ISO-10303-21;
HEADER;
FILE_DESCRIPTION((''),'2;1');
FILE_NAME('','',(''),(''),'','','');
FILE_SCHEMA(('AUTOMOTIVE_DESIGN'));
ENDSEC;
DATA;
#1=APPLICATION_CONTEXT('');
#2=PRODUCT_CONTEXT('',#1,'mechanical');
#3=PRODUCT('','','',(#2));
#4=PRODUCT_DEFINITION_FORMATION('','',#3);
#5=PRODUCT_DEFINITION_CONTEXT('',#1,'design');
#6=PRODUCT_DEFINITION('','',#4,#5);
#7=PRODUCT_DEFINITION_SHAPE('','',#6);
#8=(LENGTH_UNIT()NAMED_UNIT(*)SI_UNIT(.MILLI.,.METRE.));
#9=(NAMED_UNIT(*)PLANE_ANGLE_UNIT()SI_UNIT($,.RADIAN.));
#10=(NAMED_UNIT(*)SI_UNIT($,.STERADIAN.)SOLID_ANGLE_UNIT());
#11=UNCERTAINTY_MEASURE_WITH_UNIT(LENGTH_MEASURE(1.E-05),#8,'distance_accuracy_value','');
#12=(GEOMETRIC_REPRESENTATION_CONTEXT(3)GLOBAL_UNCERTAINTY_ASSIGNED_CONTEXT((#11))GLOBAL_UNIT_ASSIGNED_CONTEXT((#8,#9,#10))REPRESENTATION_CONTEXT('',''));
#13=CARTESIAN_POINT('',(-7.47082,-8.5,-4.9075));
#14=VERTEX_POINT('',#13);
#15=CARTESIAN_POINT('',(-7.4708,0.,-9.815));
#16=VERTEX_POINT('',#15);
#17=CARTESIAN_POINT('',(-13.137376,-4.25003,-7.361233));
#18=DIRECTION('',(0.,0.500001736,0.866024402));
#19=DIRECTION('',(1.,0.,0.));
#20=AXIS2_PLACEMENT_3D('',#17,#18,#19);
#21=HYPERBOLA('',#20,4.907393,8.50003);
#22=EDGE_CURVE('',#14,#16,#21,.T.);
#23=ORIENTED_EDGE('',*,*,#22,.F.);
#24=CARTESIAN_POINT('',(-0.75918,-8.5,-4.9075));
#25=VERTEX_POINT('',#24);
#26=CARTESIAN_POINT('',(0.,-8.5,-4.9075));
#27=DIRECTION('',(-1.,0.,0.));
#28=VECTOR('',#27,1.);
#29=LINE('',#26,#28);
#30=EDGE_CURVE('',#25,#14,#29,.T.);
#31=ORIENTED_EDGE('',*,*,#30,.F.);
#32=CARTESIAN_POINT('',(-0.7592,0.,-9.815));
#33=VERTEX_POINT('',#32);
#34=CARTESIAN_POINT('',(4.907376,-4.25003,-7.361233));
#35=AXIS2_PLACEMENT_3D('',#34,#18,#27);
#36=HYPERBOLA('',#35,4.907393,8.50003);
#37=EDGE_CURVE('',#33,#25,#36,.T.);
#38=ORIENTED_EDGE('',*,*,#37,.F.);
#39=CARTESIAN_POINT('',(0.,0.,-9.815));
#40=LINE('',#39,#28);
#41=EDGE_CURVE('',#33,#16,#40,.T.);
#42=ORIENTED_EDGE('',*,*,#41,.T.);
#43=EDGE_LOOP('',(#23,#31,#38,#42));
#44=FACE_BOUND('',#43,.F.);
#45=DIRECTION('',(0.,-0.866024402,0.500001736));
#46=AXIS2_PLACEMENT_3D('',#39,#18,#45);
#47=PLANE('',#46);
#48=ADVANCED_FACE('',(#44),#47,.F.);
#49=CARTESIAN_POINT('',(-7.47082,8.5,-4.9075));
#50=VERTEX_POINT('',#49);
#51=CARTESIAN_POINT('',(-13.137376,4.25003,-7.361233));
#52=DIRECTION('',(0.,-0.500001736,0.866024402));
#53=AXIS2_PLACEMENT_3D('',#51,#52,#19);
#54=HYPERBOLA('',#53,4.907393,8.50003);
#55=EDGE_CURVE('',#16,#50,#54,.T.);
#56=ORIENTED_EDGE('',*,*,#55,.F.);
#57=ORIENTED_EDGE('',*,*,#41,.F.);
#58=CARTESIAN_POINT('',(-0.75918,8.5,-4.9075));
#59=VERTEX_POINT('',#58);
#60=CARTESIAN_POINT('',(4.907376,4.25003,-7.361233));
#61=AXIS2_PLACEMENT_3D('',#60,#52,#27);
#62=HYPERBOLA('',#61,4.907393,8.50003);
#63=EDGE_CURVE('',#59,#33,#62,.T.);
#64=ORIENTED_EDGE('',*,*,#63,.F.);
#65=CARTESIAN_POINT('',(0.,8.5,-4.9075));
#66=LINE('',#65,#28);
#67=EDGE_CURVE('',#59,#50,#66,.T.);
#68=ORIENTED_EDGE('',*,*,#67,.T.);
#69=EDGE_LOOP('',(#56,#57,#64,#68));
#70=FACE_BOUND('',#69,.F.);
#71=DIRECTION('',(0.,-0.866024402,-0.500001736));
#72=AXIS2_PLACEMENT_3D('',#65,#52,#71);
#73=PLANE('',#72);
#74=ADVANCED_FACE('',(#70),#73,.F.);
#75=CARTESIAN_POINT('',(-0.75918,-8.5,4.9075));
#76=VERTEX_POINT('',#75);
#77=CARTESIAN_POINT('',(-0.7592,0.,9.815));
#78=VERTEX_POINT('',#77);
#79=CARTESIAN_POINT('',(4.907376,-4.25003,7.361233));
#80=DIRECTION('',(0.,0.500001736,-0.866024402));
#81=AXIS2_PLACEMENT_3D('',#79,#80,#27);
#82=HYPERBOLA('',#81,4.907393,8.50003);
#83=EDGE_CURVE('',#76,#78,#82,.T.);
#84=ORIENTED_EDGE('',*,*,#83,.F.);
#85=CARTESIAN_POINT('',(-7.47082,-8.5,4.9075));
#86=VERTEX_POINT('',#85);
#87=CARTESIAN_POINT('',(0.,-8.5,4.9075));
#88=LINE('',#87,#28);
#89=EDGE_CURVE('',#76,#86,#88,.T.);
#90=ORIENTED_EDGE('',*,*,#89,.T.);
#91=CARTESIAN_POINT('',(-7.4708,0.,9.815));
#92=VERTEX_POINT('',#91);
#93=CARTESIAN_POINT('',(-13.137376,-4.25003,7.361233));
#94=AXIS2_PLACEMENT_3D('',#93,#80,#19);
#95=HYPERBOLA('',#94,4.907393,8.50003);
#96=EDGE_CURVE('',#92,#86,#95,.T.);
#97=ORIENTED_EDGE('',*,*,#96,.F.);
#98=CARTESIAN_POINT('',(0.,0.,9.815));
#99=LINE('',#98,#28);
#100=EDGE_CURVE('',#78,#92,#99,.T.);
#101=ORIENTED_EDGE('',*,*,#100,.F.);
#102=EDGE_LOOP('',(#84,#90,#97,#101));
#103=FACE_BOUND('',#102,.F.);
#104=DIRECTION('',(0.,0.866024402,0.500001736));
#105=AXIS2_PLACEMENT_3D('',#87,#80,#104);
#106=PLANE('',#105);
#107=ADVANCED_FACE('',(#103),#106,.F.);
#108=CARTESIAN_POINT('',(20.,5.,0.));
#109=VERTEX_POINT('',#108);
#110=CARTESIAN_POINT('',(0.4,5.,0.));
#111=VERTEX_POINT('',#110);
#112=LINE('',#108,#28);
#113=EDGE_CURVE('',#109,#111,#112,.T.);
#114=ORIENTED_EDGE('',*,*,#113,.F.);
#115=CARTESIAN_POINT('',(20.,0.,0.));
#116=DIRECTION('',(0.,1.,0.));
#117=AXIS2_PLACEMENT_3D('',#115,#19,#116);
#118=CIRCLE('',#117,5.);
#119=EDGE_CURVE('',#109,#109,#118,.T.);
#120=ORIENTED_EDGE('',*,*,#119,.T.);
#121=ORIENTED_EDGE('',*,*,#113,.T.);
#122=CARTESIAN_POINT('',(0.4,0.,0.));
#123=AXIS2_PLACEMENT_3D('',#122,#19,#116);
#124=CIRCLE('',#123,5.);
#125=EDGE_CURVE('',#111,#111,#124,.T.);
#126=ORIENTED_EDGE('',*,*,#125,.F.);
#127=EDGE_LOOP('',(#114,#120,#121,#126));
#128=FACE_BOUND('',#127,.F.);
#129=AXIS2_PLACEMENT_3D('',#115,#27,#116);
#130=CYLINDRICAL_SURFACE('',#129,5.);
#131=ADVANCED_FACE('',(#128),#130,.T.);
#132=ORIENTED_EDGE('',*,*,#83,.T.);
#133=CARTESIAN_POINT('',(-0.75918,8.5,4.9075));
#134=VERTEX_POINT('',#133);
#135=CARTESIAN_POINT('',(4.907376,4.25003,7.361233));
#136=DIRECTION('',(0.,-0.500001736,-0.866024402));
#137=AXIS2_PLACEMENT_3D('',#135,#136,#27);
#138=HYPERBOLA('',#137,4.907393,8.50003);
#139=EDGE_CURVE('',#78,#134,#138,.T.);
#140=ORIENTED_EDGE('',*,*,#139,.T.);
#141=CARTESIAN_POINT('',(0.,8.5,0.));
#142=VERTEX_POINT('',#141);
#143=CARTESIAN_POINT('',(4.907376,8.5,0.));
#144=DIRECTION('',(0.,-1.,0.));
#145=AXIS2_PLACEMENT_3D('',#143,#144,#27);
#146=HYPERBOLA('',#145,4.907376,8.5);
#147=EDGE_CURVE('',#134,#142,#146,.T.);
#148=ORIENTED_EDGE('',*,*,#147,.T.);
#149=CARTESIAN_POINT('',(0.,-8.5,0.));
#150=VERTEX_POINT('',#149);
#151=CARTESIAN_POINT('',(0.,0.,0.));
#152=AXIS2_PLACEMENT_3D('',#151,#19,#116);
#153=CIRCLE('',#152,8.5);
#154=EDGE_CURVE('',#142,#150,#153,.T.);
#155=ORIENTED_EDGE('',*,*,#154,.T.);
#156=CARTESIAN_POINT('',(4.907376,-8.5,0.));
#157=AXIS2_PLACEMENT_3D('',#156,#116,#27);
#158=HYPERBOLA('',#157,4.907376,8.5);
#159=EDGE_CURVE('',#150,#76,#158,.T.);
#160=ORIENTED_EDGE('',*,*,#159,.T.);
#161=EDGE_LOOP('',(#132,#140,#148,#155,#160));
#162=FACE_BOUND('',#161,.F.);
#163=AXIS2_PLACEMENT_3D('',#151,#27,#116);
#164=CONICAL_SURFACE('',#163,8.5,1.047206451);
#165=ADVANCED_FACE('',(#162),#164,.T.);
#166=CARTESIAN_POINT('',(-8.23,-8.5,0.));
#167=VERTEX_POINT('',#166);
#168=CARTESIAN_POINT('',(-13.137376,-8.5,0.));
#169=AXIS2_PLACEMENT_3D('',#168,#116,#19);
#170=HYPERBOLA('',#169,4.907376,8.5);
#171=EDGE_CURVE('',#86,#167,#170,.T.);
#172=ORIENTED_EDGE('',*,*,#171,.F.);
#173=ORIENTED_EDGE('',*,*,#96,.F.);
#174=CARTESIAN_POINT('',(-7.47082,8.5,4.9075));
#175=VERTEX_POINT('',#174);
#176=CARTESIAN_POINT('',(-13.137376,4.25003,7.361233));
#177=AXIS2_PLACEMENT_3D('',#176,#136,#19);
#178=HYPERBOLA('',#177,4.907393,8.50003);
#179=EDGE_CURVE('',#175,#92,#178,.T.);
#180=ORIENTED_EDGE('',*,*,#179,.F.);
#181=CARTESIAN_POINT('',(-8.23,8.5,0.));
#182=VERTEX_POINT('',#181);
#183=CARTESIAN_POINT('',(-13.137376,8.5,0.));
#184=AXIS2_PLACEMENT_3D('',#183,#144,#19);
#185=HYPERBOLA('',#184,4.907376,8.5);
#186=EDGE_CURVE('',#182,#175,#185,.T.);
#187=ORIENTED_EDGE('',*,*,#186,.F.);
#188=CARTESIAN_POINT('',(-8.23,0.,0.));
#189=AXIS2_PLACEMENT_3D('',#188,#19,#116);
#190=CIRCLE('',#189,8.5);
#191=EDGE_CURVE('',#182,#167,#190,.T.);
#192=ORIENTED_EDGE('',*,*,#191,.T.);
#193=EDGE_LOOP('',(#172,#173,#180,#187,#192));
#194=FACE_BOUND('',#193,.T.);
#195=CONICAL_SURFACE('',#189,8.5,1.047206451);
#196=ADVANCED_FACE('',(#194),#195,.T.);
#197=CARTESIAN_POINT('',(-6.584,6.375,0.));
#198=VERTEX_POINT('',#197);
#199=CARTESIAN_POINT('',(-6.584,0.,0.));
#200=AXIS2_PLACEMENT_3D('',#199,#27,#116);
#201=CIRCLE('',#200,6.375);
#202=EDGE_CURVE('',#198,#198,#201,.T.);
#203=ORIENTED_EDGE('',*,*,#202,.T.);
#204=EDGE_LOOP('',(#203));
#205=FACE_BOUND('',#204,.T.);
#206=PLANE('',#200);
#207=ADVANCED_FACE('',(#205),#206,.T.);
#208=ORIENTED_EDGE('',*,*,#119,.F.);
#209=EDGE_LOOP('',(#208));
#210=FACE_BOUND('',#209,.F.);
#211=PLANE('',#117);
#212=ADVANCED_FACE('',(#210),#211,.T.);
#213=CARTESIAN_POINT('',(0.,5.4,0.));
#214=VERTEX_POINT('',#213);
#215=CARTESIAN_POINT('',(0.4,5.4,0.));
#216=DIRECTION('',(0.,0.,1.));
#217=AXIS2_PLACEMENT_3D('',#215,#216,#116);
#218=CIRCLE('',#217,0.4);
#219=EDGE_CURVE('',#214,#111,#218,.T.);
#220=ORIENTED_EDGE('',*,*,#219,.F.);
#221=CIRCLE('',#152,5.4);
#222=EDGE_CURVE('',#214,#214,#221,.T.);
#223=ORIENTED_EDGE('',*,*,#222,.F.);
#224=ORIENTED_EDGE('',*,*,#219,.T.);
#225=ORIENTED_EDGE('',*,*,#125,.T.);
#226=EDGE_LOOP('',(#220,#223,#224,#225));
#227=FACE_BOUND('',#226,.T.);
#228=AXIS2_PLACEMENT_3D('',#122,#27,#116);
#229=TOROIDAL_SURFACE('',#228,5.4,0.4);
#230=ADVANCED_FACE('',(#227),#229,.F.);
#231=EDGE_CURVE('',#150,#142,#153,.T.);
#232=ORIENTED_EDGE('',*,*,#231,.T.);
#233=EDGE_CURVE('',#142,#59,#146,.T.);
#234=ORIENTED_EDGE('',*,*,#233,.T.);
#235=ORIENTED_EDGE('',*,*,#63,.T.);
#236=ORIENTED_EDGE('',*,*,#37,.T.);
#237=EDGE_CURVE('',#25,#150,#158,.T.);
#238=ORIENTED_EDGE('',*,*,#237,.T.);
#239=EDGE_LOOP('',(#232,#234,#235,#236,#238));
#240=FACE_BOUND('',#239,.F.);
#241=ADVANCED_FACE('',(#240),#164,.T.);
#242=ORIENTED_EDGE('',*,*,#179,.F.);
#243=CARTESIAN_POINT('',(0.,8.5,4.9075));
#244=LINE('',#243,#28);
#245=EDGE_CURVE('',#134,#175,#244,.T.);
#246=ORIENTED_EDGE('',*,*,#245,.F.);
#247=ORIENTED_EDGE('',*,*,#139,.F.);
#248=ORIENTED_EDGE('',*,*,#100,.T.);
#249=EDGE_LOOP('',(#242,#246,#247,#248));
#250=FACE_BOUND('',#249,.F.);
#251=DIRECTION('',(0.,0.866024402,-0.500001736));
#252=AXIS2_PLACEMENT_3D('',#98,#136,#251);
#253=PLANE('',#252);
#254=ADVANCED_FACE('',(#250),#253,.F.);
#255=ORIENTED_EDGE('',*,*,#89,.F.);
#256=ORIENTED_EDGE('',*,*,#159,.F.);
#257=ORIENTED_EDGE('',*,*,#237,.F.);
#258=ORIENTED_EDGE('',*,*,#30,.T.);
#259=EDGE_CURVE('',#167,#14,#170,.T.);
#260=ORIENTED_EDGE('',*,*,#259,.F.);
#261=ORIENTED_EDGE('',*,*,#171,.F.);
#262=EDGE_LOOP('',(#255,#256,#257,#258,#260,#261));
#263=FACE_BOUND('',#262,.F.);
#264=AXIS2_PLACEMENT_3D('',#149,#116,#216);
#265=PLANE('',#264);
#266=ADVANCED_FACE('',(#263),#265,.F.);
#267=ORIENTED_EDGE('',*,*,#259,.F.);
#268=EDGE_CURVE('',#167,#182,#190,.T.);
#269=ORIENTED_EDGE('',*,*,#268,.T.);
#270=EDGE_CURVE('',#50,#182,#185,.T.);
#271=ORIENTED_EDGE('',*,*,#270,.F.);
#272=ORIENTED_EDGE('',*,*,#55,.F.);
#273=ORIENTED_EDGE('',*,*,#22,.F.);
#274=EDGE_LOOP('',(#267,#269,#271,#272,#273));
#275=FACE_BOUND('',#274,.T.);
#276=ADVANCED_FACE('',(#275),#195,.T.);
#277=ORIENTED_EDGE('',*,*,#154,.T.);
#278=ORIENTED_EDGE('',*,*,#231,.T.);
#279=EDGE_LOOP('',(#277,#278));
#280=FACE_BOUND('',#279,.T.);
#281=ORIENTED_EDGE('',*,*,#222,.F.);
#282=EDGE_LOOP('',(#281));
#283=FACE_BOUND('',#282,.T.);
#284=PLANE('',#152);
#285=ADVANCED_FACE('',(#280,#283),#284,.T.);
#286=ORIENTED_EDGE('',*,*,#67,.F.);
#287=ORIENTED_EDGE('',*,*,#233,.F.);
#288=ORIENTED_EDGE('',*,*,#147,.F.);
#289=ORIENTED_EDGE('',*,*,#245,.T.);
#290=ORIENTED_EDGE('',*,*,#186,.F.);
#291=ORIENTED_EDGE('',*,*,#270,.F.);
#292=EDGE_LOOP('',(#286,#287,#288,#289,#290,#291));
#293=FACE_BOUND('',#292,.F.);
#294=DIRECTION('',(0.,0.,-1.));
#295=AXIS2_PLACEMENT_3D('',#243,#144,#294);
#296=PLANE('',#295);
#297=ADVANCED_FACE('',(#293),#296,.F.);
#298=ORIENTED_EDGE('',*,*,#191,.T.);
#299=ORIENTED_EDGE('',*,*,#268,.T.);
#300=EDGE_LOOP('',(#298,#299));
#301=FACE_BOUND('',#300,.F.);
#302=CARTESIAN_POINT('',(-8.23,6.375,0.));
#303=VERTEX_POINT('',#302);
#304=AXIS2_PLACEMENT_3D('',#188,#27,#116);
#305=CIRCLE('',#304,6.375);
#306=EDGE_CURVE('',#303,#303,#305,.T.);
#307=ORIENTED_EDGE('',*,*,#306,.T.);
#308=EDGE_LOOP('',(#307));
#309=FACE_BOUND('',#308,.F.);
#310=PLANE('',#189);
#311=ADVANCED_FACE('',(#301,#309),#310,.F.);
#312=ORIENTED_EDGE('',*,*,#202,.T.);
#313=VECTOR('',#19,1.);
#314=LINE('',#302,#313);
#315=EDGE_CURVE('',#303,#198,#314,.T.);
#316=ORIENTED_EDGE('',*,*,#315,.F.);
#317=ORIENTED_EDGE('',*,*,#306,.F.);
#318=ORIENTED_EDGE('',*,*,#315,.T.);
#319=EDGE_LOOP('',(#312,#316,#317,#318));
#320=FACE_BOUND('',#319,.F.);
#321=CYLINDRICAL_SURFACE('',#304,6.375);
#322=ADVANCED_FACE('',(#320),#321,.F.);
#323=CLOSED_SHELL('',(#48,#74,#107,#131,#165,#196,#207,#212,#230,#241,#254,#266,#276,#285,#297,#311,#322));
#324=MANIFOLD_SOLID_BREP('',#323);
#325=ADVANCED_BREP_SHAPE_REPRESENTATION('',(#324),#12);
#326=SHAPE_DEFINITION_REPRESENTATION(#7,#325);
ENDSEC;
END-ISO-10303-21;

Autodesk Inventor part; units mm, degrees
ref_plane "YZ Plane" through (0, 0, 0) normal (1, 0, 0) x (0, 1, 0)
ref_plane "XZ Plane" through (0, 0, 0) normal (0, 1, 0) x (-1, 0, 0)
sketch "Sketch1" plane through (0, 0, 0) normal (0, 0, 1) x (1, 0, 0)
  line L0 (0, 5) -> (0, 0)
  line L1 (0, 0) -> (20, 0)
  line L2 (20, 0) -> (20, 5)
  line L3 (20, 5) -> (0, 5)
  line L4 (-4, 0) -> (24, 0) projected
  line L5 (0, -1) -> (0, 6) projected
  dimension "d0" = 10
  dimension "d1" = 20
revolve "Body" add sketch "Sketch1" angle 360 about axis through (0, 0, 0) along (1, 0, 0)
sketch "Sketch2" plane through (0, 0, 0) normal (1, 0, 0) x (0, 1, 0)
  line L0 (0, 9.815) -> (8.5, 4.9075)
  line L1 (8.5, 4.9075) -> (8.5, -4.9075)
  line L2 (8.5, -4.9075) -> (0, -9.815)
  line L3 (0, -9.815) -> (-8.5, -4.9075)
  line L4 (-8.5, -4.9075) -> (-8.5, 4.9075)
  line L5 (-8.5, 4.9075) -> (0, 9.815)
  line L6 (-11.9, 0) -> (11.9, 0) projected
  line L7 (0, -13.7409) -> (0, 13.7409) projected
  point P0 (0, 0)
  point P1 (0, 0)
  dimension "d2" = 17
extrude "Head" add sketch "Sketch2" against normal blind 8.23
sketch "Sketch3" plane through (-8.23, 0, 0) normal (-1, 0, 0) x (0, 1, 0)
  circle A0 centre (0, 0) radius 6.375
  point P0 (0, 0)
  dimension "d12" = 12.75
extrude "Indent1" cut sketch "Sketch3" against normal blind 1.646
sketch "Sketch4" plane through (0, 0, 0) normal (0, 0, 1) x (1, 0, 0)
  line L0 (-8.23, 9.815) -> (-8.23, 8.5)
  line L1 (-8.23, 8.5) -> (-7.4708, 9.815)
  line L2 (-7.4708, 9.815) -> (-8.23, 9.815)
  line L3 (0, 9.815) -> (0, 8.5)
  line L4 (0, 8.5) -> (-0.7592, 9.815)
  line L5 (-0.7592, 9.815) -> (0, 9.815)
  line L6 (0, 0) -> (-8.23, 0) projected
  line L7 (-8.23, 0) -> (-8.23, 8.5) projected
  line L8 (0, 0) -> (0, 8.5) projected
  line L9 (-9.876, 0) -> (1.646, 0) projected
  line L10 (-7.4708, 9.815) -> (-0.7592, 9.815) construction
  line L11 (0, -1.963) -> (0, 11.7779) projected
  dimension "d6" = 30
  dimension "d7" = 30
  dimension "d16" = 17
  dimension "d17" = 17
  dimension "d18" = 19.6299
revolve "Chamfer1" cut sketch "Sketch4" angle 360 about axis through (-10, 0, 0) along (1, 0, 0)
fillet "Fillet1" radius 0.4 1 edges at (0, -5, 0)
thread "Thread" size "M10x1.5" class "6g" standard "ISO Metric profile" length 17
ref_plane "Work Plane1" through (3, 0, 0) normal (0, 0.5, 0.866) x (1, 0, 0)
equation "\"d0\" = GD"
equation "\"d1\" = NLG"
equation "\"d2\" = SW"
equation "\"d3\" = KOH"
equation "\"d12\" = 0.75 * SW0"
equation "\"d14\" = 0.2 * KOH"
equation "\"d6\" = ANG1"
equation "\"d7\" = ANG1"
equation "\"d16\" = SW0"
equation "\"d17\" = SW0"
equation "\"d18\" = 1.1547 * SW"
equation "\"d11\" = RR"
equation "\"d8\" = GEL"
equation "\"NLG\" = 20"
equation "\"KOH\" = 8.23"
equation "\"GD\" = NND"
equation "\"GEL\" = 17"
equation "\"SW\" = 17"
equation "\"SW0\" = SW"
equation "\"ANG1\" = 30deg"
equation "\"RR\" = 0.4"
equation "\"GUL\" = 0.61345 * PTC"
equation "\"SPD\" = NND - 1.2269 * PTC"
equation "\"GD1\" = THREADDIA - 1.2269 * PTC"
equation "\"SDH\" = 11.2"
equation "\"TOA\" = 30deg"
equation "\"FAWI\" = 45deg"
equation "\"PTC\" = 1.5"
equation "\"GAL\" = 0.61345 * PTC"
equation "\"SD\" = 0"
equation "\"SD2\" = SDH"
equation "\"E0\" = 1.155 * SW"
equation "\"NND\" = 10"
equation "\"THREADDIA\" = 10"
properties part number "AS 1427 - M10 x 20" material "Steel, Mild"
